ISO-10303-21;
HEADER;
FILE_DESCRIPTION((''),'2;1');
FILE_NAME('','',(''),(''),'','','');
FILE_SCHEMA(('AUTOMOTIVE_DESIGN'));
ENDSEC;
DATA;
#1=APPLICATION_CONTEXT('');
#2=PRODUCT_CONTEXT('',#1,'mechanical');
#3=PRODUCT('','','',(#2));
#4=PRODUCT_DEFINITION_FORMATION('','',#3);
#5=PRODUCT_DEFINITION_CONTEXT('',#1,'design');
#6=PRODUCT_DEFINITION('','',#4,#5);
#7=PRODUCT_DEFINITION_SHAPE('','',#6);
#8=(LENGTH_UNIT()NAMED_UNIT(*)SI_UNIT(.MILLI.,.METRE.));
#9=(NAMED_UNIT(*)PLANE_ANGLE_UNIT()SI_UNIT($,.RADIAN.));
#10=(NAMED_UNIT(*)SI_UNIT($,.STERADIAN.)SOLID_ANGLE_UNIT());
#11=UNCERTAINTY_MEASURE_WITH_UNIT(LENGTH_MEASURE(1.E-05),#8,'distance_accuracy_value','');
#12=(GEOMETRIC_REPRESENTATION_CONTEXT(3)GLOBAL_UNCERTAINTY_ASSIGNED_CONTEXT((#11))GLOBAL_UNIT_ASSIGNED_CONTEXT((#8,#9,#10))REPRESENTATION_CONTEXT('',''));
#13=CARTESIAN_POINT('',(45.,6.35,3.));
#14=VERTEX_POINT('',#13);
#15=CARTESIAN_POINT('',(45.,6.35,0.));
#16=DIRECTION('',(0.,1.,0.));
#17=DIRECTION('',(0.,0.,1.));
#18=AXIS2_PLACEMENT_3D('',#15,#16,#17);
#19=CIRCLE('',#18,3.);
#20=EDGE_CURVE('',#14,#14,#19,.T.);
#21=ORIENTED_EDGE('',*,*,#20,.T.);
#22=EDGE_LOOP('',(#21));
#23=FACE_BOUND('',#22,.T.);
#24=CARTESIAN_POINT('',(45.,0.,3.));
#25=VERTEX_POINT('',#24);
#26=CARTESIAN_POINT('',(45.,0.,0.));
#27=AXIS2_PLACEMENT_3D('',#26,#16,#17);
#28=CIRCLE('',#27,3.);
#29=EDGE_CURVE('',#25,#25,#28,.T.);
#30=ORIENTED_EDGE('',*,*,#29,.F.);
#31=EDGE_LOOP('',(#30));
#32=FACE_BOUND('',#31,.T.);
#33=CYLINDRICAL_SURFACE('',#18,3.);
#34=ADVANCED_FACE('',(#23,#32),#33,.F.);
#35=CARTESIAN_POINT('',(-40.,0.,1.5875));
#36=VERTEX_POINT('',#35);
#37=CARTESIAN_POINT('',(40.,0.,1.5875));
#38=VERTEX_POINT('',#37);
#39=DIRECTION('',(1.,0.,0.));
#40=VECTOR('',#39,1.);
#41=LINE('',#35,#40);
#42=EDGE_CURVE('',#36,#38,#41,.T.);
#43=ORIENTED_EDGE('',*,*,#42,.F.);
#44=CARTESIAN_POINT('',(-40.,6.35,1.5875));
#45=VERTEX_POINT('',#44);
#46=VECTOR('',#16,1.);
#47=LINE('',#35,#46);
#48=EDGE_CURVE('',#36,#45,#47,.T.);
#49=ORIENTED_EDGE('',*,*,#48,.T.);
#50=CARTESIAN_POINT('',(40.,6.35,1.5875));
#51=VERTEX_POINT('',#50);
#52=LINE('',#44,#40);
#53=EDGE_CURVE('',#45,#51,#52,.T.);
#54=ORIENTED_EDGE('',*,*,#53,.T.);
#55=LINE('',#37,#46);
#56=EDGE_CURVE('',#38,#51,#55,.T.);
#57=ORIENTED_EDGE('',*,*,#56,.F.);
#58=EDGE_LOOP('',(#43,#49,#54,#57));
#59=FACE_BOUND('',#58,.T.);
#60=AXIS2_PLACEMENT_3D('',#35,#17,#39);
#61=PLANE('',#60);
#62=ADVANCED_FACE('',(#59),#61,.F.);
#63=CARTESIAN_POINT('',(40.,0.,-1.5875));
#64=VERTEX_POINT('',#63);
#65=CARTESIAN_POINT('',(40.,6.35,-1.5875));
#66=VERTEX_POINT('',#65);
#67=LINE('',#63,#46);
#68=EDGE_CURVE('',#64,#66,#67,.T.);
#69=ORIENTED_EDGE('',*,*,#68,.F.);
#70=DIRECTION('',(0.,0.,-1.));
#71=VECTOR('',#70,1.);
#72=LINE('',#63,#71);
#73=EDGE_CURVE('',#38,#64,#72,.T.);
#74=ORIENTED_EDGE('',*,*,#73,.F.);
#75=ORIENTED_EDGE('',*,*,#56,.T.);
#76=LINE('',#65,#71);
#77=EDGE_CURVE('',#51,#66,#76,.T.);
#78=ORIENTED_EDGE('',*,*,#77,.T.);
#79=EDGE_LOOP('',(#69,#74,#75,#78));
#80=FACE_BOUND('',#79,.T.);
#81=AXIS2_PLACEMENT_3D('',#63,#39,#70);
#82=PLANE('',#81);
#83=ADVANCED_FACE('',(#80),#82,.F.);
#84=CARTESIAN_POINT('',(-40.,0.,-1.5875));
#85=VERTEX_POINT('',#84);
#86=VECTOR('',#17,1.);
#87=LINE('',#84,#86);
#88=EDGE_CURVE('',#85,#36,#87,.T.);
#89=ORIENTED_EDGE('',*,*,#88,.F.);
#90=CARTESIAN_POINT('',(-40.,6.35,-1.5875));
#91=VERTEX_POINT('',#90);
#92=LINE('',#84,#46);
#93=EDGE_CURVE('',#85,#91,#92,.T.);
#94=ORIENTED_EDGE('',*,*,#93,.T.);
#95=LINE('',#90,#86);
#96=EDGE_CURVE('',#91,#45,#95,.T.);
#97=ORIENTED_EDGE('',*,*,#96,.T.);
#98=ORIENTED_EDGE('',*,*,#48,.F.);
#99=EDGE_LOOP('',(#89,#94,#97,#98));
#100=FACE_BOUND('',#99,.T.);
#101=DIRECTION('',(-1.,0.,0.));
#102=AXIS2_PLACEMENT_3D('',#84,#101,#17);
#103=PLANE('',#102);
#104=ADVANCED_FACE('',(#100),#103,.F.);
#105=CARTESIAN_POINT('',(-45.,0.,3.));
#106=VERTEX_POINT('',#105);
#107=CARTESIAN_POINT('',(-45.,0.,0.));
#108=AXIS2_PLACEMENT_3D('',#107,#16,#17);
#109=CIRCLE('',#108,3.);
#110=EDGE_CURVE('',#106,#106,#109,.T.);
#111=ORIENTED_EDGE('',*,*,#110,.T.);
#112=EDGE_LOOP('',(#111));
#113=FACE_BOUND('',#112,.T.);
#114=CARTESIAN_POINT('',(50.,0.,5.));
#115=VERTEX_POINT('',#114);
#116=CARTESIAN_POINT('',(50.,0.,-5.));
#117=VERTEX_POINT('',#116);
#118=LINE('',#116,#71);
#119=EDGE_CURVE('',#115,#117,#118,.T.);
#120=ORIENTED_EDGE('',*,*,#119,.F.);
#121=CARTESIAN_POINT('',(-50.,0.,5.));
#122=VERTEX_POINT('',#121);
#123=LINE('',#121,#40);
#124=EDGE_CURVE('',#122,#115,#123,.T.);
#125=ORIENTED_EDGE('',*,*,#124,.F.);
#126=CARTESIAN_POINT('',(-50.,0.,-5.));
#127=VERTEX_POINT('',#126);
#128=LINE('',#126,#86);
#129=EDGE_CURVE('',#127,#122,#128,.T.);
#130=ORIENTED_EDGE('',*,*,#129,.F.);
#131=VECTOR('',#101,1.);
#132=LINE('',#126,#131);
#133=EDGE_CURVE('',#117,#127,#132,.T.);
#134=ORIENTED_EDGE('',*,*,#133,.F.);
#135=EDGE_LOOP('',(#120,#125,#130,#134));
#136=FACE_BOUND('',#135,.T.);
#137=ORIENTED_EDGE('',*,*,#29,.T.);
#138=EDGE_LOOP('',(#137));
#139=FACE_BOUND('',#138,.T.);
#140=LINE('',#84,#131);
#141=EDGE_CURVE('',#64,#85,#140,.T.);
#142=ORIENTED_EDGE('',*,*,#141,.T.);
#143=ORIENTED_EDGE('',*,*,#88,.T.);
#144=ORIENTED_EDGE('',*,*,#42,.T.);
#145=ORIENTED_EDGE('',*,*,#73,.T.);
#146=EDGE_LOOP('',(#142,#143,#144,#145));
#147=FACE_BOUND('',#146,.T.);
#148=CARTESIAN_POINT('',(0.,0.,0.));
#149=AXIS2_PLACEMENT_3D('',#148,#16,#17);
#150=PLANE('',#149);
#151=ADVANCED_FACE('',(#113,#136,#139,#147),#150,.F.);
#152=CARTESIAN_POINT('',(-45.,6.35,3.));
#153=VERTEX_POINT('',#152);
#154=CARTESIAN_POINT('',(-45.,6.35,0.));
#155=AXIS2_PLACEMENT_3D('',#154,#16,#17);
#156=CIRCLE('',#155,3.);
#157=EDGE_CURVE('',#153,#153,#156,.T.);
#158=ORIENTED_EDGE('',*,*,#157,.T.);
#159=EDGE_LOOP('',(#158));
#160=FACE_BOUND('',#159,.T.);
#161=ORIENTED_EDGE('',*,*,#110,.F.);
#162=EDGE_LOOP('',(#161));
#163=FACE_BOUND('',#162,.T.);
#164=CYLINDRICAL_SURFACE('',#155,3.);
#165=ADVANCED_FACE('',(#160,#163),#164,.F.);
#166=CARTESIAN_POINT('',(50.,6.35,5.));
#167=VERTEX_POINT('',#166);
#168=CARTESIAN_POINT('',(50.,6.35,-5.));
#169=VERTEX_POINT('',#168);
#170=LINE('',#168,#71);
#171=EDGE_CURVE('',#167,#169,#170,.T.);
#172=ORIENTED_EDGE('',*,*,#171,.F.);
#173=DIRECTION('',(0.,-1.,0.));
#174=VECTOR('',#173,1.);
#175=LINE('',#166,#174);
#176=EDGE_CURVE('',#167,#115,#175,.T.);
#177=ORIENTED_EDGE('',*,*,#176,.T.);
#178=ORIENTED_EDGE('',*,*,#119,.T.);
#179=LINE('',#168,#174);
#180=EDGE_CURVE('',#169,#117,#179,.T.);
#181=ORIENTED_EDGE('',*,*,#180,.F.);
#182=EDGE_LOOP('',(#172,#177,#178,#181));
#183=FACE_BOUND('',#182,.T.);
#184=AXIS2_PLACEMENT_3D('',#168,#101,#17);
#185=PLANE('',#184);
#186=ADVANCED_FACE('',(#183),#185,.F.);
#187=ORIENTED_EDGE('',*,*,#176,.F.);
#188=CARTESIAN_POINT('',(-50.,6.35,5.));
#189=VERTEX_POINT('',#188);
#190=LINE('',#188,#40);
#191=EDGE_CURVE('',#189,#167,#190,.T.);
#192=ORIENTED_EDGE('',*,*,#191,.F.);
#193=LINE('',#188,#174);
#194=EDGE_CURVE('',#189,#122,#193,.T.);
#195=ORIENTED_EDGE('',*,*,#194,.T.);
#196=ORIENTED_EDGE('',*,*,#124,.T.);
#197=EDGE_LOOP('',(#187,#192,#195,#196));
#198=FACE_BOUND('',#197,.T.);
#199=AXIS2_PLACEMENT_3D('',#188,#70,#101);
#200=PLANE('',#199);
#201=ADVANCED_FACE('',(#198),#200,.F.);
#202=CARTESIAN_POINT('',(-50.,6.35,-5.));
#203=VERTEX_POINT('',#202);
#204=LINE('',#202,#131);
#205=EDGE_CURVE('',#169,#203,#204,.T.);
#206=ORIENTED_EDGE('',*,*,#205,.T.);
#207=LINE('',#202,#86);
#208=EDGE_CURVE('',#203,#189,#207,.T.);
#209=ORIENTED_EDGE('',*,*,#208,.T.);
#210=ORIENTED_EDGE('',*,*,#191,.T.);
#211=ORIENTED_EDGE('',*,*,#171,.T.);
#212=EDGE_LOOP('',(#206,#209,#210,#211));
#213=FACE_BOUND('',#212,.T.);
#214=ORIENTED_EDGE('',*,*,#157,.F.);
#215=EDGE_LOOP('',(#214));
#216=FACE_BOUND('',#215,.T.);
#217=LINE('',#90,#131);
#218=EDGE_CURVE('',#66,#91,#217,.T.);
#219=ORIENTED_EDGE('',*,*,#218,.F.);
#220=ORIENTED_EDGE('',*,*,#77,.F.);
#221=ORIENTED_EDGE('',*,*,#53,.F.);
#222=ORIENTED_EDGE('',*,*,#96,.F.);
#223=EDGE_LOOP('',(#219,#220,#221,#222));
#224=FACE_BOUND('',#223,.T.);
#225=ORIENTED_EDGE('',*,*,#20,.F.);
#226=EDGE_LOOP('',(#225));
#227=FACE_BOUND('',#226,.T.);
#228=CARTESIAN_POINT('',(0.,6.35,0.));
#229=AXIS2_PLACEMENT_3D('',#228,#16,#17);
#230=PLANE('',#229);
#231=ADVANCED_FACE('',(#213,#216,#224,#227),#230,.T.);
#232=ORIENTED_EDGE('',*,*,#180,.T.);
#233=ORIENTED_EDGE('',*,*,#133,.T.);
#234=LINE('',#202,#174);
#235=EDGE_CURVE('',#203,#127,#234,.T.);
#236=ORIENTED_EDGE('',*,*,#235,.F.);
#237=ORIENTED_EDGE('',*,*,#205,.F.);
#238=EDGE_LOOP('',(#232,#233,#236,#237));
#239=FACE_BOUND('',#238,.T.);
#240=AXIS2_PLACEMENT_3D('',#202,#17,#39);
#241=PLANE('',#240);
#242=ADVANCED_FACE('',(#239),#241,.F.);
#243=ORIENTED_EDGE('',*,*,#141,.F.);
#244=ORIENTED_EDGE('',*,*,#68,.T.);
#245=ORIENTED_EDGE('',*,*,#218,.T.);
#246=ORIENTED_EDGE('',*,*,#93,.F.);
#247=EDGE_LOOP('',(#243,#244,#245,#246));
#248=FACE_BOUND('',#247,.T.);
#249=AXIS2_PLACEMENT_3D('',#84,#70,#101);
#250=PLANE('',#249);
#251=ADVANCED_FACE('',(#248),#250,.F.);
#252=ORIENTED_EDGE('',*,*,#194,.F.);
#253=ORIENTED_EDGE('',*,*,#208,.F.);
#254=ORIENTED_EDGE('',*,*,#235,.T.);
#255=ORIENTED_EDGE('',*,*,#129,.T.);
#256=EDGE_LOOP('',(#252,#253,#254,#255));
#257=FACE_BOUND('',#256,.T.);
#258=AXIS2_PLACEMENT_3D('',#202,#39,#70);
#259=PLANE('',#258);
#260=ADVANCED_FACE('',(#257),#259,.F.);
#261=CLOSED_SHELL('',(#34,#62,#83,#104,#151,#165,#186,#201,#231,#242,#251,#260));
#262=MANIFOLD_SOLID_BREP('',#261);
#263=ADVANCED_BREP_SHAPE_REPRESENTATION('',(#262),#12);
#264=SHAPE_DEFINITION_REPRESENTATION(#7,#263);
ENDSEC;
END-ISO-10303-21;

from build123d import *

# Parameters (mm, degrees)
SKETCH1_W                 = 100
SKETCH1_H                 = 10
BOSS_EXTRUDE1_DEPTH       = 6.35
SKETCH2_W                 = 80
SKETCH2_H                 = 3.175
CUT_EXTRUDE1_DEPTH        = 6.35
F_6_0MM_DOWEL_HOLE1_D     = 6
F_6_0MM_DOWEL_HOLE1_DEPTH = 20
F_6_0MM_DOWEL_HOLE1_TIP   = 1.802581857


with BuildPart() as part:
    # Sketch1 → Boss-Extrude1 (new body)
    with BuildSketch(Plane(origin=(0, 0, 0), x_dir=(1, 0, 0), z_dir=(0, 1, 0))):
        Rectangle(SKETCH1_W, SKETCH1_H)
    extrude(amount=BOSS_EXTRUDE1_DEPTH)

    # Sketch2 → Cut-Extrude1 (cut)
    with BuildSketch(Plane(origin=(0, 6.35, 0), x_dir=(1, 0, 0), z_dir=(0, 1, 0))):
        Rectangle(SKETCH2_W, SKETCH2_H)
    extrude(amount=-CUT_EXTRUDE1_DEPTH, mode=Mode.SUBTRACT)

    # Ø6.0mm Dowel Hole1
    with Locations(Plane(origin=(0, 6.35, 0), x_dir=(1, 0, 0), z_dir=(0, 1, 0))):
        with Locations((-45, 0), (45, 0)):
            Hole(F_6_0MM_DOWEL_HOLE1_D / 2, depth=F_6_0MM_DOWEL_HOLE1_DEPTH)
            with Locations((0, 0, -(F_6_0MM_DOWEL_HOLE1_DEPTH + F_6_0MM_DOWEL_HOLE1_TIP / 2))):  # 118° drill point
                Cone(0, F_6_0MM_DOWEL_HOLE1_D / 2, F_6_0MM_DOWEL_HOLE1_TIP, mode=Mode.SUBTRACT)


solid = part.part
